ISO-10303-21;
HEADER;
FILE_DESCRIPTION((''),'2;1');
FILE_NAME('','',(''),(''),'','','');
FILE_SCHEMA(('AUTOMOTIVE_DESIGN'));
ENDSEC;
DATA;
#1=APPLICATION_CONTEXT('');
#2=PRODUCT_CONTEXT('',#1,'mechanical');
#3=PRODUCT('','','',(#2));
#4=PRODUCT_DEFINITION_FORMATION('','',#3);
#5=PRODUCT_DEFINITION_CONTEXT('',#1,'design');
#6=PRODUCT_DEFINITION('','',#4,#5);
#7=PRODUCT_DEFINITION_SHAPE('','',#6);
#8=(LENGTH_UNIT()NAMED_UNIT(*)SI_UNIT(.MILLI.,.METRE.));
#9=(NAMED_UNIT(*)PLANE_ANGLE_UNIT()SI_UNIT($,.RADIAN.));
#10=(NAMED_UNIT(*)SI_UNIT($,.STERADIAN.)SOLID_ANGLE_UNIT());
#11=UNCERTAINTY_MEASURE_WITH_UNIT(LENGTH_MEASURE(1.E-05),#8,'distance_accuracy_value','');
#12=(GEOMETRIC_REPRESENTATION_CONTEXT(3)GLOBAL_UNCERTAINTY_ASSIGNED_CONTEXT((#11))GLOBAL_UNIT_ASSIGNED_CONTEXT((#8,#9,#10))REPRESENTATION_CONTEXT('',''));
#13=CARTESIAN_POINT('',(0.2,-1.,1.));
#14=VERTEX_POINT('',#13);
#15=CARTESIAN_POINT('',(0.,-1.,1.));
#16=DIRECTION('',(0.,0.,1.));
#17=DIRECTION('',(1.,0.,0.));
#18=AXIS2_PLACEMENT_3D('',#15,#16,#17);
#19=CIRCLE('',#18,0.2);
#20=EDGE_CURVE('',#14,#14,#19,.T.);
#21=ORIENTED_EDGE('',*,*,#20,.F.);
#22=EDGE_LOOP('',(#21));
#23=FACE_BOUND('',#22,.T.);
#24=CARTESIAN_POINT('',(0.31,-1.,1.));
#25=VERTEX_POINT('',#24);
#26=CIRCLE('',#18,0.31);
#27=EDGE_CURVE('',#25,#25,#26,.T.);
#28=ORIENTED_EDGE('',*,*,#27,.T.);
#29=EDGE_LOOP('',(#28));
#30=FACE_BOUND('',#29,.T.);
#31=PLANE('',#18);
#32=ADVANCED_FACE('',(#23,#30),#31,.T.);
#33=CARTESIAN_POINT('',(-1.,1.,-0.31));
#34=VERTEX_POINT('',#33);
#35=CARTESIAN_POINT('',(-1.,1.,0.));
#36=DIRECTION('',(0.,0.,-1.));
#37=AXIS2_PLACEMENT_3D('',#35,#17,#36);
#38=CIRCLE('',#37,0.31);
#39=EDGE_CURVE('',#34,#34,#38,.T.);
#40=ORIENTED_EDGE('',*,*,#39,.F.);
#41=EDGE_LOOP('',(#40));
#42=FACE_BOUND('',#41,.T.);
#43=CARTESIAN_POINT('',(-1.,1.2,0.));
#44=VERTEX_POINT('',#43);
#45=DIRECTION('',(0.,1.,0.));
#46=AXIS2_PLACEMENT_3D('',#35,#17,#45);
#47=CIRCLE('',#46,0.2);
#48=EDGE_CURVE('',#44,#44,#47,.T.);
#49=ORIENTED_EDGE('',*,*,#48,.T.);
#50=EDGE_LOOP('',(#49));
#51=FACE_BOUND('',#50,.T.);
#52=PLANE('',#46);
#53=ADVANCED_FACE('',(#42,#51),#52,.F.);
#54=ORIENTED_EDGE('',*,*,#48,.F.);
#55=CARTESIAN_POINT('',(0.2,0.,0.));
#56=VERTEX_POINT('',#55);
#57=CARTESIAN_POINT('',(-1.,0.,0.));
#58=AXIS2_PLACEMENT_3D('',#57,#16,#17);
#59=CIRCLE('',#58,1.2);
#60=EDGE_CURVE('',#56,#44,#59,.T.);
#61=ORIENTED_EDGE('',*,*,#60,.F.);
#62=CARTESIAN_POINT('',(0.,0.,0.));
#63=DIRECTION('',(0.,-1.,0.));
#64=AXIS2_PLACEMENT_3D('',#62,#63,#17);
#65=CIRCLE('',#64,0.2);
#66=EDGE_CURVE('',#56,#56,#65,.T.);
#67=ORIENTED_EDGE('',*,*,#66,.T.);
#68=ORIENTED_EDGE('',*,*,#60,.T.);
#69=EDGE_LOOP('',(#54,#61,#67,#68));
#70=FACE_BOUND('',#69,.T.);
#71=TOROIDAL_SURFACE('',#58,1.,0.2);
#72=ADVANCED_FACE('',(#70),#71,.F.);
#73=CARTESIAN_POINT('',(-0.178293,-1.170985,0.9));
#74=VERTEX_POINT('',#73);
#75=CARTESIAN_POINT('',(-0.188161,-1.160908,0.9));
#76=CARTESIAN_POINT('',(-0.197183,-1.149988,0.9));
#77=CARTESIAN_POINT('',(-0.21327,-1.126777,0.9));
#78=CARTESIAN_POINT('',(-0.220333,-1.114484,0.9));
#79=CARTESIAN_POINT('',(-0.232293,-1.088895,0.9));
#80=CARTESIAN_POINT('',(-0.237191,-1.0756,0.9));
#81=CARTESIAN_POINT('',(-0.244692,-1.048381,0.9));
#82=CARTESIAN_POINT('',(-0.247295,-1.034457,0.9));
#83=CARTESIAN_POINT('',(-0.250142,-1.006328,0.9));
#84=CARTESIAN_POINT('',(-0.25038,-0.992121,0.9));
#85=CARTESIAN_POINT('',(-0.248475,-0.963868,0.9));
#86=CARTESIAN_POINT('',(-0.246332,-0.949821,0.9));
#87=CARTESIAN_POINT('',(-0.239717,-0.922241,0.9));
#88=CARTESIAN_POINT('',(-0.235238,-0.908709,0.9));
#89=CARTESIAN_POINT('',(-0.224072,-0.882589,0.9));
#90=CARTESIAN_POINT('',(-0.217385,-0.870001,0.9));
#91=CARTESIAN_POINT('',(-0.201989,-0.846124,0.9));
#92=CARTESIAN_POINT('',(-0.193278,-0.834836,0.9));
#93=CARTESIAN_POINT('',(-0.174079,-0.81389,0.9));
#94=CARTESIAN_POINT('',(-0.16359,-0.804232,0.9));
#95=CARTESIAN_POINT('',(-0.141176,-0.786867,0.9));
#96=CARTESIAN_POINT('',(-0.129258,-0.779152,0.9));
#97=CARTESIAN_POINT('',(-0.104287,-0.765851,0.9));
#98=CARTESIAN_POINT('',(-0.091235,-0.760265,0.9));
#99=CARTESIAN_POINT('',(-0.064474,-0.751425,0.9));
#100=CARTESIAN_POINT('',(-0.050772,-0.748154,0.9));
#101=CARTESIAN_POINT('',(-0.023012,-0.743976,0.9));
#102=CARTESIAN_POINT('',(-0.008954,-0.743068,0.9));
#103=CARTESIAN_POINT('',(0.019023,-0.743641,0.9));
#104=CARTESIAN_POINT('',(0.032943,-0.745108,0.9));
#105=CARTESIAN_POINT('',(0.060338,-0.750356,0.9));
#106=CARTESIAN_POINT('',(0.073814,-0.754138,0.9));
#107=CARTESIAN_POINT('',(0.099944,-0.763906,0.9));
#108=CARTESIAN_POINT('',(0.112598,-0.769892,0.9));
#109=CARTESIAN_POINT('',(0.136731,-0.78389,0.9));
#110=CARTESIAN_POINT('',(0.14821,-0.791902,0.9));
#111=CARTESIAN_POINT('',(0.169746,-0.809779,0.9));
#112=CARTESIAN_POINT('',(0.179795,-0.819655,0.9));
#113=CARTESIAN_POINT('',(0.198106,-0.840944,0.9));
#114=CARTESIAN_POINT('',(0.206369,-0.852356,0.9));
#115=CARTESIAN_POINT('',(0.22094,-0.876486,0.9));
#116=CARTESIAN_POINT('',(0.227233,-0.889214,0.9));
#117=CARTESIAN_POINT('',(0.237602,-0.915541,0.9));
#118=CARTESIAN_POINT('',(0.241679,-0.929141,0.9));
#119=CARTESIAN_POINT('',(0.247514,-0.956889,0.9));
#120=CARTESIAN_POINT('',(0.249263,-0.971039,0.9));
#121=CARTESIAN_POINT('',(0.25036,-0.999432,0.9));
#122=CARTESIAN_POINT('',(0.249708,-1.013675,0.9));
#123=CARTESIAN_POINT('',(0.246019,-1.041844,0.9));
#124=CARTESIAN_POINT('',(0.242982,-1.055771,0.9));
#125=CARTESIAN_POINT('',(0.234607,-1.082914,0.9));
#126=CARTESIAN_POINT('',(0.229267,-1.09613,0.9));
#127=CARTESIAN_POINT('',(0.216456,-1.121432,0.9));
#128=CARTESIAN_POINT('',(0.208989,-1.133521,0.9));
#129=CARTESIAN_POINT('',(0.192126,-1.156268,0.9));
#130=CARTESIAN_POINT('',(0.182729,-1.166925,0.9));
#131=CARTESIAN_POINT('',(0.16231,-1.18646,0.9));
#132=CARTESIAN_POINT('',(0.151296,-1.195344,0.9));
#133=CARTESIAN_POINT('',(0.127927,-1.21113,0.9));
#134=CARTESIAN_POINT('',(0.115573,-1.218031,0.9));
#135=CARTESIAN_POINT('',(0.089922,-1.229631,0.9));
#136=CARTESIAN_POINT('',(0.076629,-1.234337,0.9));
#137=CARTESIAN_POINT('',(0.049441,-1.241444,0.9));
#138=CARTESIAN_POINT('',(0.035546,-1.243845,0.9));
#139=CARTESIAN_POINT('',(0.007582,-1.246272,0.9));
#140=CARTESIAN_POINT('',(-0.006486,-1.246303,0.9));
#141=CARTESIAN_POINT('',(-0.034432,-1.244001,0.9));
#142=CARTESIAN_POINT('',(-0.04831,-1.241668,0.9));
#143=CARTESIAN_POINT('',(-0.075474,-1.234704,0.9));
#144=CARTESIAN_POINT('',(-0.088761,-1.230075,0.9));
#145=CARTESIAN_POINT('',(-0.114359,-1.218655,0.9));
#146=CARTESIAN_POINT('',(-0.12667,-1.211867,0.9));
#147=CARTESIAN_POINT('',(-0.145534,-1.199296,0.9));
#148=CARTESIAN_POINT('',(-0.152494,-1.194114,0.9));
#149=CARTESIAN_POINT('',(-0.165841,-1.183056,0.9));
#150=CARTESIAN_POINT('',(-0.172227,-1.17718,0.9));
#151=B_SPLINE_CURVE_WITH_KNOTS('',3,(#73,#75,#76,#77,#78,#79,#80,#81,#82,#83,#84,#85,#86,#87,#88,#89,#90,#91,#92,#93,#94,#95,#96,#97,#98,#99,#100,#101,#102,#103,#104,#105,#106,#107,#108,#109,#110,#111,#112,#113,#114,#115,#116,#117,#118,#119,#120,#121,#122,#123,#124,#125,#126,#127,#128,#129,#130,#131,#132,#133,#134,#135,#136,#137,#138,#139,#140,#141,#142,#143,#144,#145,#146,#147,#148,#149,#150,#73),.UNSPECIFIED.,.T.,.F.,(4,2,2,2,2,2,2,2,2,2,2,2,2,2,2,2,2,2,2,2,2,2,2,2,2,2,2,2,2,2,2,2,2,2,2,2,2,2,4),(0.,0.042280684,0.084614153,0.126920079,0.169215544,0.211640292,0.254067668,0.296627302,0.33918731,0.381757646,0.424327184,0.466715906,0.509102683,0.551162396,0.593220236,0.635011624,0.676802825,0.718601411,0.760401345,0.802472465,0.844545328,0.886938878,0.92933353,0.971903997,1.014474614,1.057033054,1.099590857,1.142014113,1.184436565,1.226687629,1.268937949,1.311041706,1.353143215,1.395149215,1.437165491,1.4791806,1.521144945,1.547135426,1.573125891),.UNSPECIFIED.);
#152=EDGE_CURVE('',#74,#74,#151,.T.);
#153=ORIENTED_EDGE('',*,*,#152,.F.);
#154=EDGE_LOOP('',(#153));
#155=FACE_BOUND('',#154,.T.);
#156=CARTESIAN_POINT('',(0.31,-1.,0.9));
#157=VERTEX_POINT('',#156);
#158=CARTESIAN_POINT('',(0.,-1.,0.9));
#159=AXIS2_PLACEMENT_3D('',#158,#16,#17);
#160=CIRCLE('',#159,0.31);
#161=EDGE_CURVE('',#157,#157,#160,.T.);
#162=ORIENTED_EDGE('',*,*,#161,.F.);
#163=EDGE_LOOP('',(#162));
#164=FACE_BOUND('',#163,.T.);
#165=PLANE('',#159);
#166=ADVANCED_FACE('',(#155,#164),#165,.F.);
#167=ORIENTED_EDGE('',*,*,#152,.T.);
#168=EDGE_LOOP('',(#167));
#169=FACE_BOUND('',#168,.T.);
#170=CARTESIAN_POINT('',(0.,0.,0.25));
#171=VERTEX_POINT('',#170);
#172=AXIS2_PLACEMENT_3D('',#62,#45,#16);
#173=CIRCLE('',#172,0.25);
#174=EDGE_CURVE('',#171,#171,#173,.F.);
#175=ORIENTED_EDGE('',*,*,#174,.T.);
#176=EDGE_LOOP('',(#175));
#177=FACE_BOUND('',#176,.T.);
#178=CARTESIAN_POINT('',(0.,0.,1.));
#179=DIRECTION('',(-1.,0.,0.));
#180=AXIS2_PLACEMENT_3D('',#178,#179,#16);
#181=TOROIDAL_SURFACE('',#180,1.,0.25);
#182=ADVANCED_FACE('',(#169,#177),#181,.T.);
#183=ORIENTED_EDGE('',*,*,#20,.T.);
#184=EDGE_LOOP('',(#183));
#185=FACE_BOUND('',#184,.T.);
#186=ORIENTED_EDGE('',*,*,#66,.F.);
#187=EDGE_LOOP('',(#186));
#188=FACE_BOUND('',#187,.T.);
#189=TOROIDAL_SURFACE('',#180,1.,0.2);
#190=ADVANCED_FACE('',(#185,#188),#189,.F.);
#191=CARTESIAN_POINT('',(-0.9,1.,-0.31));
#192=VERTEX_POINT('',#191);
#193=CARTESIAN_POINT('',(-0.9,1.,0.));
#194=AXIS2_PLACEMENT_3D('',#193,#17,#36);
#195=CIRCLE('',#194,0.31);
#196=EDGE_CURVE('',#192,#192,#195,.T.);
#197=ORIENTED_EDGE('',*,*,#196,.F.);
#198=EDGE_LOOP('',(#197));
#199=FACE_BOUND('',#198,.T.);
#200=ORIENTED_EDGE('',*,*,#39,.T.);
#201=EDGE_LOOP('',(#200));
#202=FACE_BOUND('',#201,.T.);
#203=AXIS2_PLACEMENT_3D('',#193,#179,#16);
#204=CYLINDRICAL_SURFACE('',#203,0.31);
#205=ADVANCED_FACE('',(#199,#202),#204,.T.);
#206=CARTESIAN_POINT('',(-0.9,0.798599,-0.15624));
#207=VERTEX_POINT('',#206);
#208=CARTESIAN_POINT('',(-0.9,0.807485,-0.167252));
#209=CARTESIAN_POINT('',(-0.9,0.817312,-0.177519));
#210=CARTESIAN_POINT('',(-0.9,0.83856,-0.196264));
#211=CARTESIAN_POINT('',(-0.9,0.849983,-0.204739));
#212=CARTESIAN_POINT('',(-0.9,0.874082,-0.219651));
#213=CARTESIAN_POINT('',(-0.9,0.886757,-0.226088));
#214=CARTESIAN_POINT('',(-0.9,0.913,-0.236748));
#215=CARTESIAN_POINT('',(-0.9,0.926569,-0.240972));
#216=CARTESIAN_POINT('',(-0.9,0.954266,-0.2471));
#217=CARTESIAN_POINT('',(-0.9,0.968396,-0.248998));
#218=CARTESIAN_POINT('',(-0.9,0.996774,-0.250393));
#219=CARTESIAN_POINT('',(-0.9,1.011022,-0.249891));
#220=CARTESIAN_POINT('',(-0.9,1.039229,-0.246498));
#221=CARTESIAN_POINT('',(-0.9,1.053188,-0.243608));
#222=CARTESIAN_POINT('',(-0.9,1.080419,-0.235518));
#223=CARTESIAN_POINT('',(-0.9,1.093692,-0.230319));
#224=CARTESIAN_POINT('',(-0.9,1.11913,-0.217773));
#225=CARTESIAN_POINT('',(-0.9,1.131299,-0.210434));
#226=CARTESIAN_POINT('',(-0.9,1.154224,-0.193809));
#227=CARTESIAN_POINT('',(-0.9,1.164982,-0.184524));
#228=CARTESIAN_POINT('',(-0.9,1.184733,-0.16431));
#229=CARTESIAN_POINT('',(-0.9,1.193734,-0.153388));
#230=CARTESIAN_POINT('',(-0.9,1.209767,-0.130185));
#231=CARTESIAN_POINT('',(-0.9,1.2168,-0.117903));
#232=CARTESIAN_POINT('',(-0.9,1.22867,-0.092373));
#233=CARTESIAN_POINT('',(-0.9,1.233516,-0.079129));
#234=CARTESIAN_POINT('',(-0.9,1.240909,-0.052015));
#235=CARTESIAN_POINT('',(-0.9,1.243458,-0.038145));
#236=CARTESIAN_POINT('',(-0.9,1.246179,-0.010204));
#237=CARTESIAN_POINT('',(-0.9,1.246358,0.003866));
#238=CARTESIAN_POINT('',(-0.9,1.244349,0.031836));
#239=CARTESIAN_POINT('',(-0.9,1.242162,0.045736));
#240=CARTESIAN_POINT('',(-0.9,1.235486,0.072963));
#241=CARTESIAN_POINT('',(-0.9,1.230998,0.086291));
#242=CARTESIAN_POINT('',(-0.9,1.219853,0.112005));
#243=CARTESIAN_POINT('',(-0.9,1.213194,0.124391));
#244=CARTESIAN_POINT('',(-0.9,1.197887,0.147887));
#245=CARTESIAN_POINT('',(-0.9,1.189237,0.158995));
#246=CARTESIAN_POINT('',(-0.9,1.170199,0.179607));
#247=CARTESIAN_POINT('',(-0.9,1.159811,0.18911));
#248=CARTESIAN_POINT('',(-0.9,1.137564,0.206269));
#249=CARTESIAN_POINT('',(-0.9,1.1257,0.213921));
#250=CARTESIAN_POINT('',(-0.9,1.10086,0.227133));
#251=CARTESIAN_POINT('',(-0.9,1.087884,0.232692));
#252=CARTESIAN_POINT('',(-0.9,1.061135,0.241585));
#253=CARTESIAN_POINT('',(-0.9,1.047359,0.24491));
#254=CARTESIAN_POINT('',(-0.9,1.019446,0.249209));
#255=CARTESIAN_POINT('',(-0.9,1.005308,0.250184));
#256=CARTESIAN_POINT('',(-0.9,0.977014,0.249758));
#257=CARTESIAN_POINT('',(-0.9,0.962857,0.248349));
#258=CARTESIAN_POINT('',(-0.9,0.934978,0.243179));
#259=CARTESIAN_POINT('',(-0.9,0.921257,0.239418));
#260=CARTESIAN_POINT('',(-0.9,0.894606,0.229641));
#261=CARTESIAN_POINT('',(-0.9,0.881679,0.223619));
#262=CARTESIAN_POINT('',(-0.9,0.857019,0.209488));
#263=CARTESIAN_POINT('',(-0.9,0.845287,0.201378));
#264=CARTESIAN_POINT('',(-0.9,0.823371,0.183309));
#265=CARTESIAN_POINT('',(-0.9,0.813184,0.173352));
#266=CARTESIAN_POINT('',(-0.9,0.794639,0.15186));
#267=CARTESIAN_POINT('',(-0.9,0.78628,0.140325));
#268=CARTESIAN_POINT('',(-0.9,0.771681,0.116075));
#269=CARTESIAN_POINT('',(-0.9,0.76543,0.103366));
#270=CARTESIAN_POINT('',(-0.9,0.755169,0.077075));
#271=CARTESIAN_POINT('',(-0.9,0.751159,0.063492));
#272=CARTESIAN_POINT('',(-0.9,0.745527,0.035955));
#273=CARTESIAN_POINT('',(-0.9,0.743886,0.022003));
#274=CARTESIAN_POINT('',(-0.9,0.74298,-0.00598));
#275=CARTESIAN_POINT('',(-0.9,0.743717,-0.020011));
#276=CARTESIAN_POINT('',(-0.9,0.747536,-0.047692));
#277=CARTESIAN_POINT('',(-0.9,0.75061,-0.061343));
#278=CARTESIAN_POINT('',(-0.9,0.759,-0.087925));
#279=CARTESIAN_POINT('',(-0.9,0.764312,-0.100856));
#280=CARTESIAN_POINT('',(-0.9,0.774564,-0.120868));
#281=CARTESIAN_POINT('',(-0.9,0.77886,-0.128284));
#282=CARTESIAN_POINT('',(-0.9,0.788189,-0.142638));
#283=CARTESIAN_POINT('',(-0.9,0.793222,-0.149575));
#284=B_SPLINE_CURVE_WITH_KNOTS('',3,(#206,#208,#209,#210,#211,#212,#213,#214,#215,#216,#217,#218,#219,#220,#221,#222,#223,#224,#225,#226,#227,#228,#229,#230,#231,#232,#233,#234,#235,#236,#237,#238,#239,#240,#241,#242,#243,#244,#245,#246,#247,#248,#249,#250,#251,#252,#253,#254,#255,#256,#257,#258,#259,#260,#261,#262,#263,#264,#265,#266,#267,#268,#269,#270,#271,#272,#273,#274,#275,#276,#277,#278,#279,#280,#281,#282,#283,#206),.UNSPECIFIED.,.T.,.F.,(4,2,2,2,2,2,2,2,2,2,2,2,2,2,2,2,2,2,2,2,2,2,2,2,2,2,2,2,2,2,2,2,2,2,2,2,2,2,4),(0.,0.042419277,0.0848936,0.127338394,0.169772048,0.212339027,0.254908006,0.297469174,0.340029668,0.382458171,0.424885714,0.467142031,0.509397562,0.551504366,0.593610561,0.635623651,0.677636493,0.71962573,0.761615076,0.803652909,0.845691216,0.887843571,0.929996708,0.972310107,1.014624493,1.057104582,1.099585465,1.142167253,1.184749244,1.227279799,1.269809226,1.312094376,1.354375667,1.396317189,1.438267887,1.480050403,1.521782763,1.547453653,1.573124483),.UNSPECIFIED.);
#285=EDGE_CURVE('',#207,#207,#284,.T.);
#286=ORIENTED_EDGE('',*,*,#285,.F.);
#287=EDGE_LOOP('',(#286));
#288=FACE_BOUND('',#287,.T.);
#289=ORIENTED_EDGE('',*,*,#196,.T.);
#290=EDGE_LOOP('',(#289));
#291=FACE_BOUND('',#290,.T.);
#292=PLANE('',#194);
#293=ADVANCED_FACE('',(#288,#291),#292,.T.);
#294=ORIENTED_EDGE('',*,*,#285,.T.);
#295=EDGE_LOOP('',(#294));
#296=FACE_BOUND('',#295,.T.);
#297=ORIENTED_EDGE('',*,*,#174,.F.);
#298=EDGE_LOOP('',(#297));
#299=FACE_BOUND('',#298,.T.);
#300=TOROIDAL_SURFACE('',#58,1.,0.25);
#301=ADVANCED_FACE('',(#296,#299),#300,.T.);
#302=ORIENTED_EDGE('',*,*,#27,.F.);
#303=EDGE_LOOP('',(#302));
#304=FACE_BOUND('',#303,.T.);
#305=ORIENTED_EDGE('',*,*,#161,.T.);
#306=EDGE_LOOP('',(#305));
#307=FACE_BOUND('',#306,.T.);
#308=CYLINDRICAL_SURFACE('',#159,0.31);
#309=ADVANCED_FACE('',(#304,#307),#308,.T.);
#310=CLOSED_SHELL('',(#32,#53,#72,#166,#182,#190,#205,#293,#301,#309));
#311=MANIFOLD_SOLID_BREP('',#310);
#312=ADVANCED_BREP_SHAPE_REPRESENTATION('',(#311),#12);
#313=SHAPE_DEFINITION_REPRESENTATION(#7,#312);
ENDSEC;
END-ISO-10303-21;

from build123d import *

# Parameters (mm, degrees)
IZIM4_R   = 0.25
IZIM4_R_2 = 0.2
IZIM5_R   = 0.31
IZIM5_R_2 = 0.21
IZIM6_R   = 0.31
IZIM6_R_2 = 0.21


with BuildPart() as part:
    # Süpür-İnce1: sweep along a curve in space
    with BuildLine() as s_p_r_nce1_path:
        ThreePointArc((0, 0, 0), (-0.292893219, 0.707106781, 0), (-1, 1, 0))
        ThreePointArc((0, 0, 0), (0, -0.707106781, 0.292893219), (0, -1, 1))
    # Çizim4 → Süpür-İnce1 (sweep)
    with BuildSketch(Plane.XY.offset(1)):
        with Locations((0, -1)):
            Circle(IZIM4_R)
        with Locations((0, -1)):
            Circle(IZIM4_R_2, mode=Mode.SUBTRACT)
    sweep(path=s_p_r_nce1_path.line)

    # Süpür-İnce2: sweep along a path in Çizim2
    with BuildLine(Plane(origin=(0, 0, 0), x_dir=(0, 0, -1), z_dir=(1, 0, 0))) as s_p_r_nce2_path:
        Line((-1, -1), (-0.9, -1))
    # Çizim5 → Süpür-İnce2 (sweep)
    with BuildSketch(Plane.XY.offset(1)):
        with Locations((0, -1)):
            Circle(IZIM5_R)
        with Locations((0, -1)):
            Circle(IZIM5_R_2, mode=Mode.SUBTRACT)
    sweep(path=s_p_r_nce2_path.line)

    # Süpür-İnce3: sweep along a path in Çizim3
    with BuildLine(Plane.XY) as s_p_r_nce3_path:
        Line((-1, 1), (-0.9, 1))
    # Çizim6 → Süpür-İnce3 (sweep)
    with BuildSketch(Plane(origin=(-1, 0, 0), x_dir=(0, 0, -1), z_dir=(1, 0, 0))):
        with Locations((0, 1)):
            Circle(IZIM6_R)
        with Locations((0, 1)):
            Circle(IZIM6_R_2, mode=Mode.SUBTRACT)
    sweep(path=s_p_r_nce3_path.line)


solid = part.part
